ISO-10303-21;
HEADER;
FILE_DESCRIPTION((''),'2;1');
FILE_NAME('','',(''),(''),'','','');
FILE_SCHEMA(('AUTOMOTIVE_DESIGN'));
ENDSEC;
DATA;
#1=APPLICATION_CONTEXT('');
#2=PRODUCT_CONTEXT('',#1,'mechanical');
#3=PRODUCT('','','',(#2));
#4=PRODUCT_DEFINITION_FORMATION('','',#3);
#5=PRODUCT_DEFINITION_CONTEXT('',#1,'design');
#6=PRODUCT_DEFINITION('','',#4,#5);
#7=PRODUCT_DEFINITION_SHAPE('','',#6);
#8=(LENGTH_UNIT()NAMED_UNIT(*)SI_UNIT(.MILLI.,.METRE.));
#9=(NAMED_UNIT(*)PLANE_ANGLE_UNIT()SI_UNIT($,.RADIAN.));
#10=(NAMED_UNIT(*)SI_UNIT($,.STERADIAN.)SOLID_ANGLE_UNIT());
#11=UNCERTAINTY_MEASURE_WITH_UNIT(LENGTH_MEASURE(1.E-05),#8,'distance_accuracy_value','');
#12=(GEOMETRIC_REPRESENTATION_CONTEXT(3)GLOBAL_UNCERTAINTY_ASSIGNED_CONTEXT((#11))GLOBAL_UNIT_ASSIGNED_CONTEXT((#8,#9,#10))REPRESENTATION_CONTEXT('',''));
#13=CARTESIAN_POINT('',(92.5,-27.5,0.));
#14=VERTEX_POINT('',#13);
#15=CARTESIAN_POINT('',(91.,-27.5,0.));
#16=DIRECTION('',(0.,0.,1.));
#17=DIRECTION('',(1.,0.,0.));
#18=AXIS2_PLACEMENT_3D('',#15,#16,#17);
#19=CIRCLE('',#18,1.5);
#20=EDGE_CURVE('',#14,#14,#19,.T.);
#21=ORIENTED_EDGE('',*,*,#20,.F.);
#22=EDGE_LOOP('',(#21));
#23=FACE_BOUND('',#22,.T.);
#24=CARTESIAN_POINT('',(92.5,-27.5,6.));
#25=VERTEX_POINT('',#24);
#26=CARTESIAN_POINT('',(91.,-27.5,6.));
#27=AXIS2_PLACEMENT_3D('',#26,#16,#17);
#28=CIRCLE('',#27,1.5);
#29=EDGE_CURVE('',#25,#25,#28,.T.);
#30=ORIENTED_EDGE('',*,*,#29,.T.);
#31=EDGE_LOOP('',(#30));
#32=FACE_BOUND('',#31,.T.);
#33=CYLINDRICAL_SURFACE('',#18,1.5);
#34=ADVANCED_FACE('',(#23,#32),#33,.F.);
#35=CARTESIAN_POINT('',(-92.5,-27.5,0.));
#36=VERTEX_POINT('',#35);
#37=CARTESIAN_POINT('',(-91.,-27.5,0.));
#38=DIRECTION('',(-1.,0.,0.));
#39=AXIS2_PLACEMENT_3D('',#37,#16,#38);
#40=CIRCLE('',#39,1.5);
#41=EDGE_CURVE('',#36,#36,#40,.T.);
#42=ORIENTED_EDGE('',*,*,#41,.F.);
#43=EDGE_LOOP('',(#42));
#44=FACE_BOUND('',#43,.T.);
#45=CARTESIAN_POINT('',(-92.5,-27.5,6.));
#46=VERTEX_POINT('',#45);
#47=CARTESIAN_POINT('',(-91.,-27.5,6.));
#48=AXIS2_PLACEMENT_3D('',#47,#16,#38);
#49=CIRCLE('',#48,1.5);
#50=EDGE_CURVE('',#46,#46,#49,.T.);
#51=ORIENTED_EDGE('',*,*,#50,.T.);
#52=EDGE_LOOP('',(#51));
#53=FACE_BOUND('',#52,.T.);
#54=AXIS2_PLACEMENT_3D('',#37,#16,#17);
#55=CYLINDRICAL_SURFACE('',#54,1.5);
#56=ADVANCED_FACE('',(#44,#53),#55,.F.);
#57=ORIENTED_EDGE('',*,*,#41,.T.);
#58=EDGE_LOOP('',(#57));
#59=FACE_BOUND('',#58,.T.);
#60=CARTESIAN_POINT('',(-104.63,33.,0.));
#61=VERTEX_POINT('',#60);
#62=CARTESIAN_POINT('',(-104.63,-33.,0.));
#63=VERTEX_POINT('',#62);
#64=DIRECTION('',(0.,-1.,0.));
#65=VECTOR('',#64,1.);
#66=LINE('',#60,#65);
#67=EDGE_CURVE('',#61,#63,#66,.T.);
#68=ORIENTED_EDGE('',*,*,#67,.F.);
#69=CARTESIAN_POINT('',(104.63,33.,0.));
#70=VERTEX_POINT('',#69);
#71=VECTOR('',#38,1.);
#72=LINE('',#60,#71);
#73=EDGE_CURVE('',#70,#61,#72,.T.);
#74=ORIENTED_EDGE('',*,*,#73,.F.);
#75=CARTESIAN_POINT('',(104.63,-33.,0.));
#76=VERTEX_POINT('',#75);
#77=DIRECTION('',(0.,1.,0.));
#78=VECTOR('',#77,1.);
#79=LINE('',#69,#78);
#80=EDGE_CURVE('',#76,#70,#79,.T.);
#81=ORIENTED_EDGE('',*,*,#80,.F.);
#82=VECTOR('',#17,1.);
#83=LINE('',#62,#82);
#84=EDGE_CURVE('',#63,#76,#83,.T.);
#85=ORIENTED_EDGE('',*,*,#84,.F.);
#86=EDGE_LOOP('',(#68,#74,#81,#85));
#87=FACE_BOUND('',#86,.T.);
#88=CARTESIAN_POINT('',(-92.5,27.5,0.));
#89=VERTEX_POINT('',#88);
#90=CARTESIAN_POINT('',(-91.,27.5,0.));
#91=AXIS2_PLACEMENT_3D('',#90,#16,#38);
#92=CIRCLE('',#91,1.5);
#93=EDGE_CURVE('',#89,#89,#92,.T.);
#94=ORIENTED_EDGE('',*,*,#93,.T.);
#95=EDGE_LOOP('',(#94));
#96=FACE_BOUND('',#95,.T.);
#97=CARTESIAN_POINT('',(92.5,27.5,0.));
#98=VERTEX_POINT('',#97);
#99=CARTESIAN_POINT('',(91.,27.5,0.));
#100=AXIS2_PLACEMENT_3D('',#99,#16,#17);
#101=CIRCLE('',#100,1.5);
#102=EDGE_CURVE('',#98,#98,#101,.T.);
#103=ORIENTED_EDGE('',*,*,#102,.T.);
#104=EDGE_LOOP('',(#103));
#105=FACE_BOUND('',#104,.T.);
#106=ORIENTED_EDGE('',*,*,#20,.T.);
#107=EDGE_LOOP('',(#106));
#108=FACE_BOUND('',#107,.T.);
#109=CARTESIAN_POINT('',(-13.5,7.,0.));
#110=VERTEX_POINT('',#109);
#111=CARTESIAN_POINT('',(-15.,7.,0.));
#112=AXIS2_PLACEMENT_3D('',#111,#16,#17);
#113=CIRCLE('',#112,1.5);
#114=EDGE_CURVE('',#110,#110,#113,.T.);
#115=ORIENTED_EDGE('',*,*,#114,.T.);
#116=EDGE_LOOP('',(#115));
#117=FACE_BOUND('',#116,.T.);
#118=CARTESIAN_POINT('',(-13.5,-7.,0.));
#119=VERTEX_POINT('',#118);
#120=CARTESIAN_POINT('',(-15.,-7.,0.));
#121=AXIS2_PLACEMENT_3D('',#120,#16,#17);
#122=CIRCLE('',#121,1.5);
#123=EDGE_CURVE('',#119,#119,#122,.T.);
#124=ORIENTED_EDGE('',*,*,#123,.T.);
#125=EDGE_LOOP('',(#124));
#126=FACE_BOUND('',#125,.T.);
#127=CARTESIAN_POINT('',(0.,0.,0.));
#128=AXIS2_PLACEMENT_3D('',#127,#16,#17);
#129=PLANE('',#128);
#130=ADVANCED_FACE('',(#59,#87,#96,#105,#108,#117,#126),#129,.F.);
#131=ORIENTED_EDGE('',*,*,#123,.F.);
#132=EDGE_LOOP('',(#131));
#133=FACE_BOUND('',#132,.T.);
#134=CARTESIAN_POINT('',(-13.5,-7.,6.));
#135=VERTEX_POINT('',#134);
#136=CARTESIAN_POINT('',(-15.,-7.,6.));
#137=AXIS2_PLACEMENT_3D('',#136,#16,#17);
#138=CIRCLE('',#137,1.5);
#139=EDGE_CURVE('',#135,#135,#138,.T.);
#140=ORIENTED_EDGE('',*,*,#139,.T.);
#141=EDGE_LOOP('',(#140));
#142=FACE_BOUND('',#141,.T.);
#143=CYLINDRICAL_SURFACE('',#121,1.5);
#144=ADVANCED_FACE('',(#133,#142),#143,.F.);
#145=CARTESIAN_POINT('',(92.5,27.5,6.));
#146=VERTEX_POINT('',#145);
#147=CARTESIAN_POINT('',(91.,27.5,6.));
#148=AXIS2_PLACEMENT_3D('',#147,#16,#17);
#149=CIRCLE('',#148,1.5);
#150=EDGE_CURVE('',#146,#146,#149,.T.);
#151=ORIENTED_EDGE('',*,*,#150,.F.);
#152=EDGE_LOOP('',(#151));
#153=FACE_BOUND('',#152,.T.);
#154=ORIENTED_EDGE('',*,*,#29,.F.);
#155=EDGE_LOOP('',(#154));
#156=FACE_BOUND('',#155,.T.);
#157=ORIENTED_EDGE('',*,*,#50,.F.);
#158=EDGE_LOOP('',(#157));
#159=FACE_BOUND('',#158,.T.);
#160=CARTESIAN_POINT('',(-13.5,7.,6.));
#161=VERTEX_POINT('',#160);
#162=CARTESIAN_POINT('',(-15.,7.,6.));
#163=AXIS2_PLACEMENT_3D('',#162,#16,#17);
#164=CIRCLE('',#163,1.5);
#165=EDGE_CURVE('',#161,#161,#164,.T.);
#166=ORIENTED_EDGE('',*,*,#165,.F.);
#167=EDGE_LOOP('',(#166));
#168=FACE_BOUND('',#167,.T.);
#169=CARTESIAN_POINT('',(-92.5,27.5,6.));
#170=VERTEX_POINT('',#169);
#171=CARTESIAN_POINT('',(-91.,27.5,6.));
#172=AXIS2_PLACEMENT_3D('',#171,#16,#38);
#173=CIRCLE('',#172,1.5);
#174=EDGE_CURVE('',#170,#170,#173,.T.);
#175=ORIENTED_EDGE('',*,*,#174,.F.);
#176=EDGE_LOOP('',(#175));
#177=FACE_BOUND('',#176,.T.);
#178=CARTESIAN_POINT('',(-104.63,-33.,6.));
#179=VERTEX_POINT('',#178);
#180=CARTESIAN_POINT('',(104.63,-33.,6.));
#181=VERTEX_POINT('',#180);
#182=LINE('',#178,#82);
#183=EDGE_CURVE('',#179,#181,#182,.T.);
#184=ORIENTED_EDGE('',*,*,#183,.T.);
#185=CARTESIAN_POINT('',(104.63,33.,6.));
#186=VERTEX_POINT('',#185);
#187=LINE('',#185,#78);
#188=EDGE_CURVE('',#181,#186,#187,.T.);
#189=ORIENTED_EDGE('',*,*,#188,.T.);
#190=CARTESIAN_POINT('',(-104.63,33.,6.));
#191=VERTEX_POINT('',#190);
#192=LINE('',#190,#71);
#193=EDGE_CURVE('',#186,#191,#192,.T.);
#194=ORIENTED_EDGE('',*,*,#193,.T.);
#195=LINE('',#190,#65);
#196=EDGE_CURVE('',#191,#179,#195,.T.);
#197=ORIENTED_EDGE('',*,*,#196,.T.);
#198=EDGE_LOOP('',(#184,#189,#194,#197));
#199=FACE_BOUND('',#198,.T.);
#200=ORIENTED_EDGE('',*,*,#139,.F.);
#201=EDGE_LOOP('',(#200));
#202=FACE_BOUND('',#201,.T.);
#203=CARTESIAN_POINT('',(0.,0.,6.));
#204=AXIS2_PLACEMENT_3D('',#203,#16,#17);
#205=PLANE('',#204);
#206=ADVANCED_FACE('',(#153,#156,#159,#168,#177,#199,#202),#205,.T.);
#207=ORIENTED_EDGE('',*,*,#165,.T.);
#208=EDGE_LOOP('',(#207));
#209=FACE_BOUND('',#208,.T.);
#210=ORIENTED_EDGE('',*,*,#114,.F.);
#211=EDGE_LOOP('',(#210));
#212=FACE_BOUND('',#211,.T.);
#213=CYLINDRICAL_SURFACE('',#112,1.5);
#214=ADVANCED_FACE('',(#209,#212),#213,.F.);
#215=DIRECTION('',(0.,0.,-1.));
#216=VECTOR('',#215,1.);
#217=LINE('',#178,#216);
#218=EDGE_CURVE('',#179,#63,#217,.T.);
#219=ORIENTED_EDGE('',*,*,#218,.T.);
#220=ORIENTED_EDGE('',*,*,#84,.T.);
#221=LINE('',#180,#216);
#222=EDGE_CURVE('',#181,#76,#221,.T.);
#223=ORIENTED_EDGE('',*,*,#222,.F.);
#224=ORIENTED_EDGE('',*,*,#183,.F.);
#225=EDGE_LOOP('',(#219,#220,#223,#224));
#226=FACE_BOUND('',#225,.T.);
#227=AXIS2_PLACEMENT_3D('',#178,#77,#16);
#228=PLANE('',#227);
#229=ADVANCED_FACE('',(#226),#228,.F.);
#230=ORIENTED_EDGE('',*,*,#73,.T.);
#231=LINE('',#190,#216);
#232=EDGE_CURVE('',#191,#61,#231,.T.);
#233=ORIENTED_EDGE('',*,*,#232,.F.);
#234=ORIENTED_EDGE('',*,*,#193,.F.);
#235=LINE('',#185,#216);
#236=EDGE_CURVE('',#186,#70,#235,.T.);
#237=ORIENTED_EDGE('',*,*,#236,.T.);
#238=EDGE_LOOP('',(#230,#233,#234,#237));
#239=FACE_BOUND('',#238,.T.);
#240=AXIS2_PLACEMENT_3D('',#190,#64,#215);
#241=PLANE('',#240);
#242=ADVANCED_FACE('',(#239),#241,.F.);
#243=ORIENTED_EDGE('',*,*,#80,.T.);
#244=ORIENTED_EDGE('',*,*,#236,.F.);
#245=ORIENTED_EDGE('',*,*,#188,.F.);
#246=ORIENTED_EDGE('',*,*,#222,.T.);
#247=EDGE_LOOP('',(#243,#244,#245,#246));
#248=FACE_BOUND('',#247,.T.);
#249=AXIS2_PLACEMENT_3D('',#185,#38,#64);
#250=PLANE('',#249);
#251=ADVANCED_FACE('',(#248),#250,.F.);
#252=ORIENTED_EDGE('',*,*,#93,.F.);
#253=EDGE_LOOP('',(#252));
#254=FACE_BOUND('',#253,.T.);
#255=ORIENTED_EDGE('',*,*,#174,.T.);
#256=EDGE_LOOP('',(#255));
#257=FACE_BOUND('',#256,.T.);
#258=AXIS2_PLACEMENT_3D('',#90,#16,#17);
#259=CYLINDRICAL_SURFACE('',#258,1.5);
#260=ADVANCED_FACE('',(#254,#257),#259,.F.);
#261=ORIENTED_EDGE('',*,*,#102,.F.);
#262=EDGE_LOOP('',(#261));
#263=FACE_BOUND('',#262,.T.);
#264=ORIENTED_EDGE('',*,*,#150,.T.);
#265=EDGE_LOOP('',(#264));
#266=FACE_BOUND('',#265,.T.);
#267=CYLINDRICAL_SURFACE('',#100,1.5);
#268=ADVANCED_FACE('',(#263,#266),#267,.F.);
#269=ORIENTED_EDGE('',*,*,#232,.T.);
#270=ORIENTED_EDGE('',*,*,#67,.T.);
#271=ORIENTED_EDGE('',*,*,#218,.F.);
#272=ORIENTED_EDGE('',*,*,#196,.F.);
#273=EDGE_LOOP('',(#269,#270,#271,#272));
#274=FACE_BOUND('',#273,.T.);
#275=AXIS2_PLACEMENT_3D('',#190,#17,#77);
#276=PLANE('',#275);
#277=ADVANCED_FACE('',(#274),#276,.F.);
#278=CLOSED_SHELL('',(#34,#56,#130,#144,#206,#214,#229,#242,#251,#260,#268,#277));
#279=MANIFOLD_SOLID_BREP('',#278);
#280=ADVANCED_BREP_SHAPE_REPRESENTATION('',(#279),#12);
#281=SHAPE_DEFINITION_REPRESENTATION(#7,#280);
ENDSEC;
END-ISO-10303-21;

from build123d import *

# Parameters (mm, degrees)
ESQUISSE1_W             = 209.26
ESQUISSE1_H             = 66
BOSS_EXTRU_1_DEPTH      = 6
ESQUISSE2_R             = 1.5
ENL_V_MAT_EXTRU_1_DEPTH = 6


with BuildPart() as part:
    # Esquisse1 → Boss.-Extru.1 (new body)
    with BuildSketch(Plane.XY):
        Rectangle(ESQUISSE1_W, ESQUISSE1_H)
    extrude(amount=BOSS_EXTRU_1_DEPTH)

    # Esquisse2 → Enlèv. mat.-Extru.1 (cut)
    with BuildSketch(Plane.XY.offset(6)):
        with Locations((-15, 7)):
            Circle(ESQUISSE2_R)
        with Locations((-15, -7)):
            Circle(ESQUISSE2_R)
        with Locations((91, 27.5)):
            Circle(ESQUISSE2_R)
        with Locations((91, -27.5)):
            Circle(ESQUISSE2_R)
        with Locations(Location((-91, -27.5, 0), (0, 0, 180))):
            Circle(ESQUISSE2_R)
        with Locations(Location((-91, 27.5, 0), (0, 0, 180))):
            Circle(ESQUISSE2_R)
    extrude(amount=-ENL_V_MAT_EXTRU_1_DEPTH, mode=Mode.SUBTRACT)


solid = part.part
